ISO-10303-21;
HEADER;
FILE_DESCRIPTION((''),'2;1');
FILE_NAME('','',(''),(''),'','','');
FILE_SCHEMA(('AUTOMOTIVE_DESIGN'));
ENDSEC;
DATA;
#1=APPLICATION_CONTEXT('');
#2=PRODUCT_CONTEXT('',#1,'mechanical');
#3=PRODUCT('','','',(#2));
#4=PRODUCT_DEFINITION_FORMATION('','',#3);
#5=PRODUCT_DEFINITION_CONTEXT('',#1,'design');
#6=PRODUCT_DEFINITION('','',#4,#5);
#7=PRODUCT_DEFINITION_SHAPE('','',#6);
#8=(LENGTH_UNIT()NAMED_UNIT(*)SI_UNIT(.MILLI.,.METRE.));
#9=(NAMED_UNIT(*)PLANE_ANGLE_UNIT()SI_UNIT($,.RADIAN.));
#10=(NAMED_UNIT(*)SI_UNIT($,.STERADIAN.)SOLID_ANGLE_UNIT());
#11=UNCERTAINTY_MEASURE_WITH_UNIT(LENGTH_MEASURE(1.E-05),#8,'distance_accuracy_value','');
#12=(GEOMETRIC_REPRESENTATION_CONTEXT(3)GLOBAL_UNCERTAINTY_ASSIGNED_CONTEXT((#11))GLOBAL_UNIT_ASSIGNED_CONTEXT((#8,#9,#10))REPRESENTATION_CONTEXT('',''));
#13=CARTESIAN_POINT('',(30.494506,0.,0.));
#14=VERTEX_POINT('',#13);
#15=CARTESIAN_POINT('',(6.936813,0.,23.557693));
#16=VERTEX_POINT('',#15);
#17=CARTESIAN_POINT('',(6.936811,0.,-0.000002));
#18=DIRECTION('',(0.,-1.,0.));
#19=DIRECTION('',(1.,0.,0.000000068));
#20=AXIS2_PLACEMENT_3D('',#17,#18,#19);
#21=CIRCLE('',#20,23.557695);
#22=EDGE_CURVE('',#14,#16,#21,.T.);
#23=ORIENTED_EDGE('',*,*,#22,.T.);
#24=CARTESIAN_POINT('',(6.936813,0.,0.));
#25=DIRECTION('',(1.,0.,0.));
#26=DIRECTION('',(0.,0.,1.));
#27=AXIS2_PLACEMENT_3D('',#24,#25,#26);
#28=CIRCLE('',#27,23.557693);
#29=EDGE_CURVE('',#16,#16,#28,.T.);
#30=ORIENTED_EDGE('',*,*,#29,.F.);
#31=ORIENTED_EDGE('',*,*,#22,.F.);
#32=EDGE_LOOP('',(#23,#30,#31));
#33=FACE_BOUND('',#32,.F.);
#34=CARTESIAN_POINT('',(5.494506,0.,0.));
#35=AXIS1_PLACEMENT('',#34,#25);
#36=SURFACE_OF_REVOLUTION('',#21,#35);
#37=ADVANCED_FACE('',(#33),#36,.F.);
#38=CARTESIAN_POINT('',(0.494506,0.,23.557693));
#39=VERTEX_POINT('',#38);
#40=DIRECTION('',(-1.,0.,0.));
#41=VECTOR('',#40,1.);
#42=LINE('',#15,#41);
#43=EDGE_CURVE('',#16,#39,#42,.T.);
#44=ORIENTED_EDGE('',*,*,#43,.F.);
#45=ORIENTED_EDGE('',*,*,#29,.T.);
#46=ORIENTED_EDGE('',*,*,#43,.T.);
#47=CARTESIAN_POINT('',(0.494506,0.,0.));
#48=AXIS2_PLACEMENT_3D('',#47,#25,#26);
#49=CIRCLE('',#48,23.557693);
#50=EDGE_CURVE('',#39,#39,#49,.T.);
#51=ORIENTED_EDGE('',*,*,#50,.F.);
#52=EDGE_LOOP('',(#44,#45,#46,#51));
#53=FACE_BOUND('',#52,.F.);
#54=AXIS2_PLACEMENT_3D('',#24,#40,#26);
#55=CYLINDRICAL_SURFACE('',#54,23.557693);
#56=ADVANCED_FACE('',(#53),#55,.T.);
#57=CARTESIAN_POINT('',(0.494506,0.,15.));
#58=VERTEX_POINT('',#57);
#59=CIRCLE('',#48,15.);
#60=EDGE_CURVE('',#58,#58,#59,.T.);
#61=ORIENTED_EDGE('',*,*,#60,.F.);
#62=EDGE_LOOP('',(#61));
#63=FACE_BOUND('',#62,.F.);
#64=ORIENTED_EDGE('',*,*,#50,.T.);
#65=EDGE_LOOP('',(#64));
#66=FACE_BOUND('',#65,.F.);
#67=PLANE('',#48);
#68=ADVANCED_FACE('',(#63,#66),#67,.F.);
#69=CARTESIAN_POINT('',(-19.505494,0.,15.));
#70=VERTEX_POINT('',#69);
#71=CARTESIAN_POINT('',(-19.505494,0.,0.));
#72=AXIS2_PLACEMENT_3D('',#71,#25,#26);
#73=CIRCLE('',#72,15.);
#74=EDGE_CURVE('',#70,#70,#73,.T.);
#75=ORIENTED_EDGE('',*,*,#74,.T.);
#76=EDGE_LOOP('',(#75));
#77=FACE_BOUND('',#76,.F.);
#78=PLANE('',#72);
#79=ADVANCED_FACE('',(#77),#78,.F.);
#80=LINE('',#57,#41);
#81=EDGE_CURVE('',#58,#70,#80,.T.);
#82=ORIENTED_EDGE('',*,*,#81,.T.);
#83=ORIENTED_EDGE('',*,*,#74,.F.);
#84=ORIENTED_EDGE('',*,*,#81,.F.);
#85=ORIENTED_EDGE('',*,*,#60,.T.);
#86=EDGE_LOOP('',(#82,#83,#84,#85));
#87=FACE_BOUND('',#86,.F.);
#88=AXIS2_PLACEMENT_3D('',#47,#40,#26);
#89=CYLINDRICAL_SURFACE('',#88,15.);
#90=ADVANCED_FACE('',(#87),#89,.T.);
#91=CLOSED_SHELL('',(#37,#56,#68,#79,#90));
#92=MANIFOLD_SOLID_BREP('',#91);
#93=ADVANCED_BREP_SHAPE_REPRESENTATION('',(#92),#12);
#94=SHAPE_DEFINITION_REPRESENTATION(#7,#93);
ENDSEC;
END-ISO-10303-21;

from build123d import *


with BuildPart() as f1:
    # F0 (on Front) → F1 (revolve)
    with BuildSketch(Plane.XZ):
        with BuildLine():
            ThreePointArc((30.494506, 0), (23.594617, 16.657804), (6.936813, 23.557693))
            Line((6.936813, 23.557693), (0.494506, 23.557693))
            Line((0.494506, 23.557693), (0.494506, 15))
            Line((0.494506, 15), (-19.505494, 15))
            Line((-19.505494, 15), (-19.505494, 0))
            Line((-19.505494, 0), (30.494506, 0))
        make_face()
    revolve(axis=Axis((5.494506, 0, 0), (1, 0, 0)))


solid = f1.part
